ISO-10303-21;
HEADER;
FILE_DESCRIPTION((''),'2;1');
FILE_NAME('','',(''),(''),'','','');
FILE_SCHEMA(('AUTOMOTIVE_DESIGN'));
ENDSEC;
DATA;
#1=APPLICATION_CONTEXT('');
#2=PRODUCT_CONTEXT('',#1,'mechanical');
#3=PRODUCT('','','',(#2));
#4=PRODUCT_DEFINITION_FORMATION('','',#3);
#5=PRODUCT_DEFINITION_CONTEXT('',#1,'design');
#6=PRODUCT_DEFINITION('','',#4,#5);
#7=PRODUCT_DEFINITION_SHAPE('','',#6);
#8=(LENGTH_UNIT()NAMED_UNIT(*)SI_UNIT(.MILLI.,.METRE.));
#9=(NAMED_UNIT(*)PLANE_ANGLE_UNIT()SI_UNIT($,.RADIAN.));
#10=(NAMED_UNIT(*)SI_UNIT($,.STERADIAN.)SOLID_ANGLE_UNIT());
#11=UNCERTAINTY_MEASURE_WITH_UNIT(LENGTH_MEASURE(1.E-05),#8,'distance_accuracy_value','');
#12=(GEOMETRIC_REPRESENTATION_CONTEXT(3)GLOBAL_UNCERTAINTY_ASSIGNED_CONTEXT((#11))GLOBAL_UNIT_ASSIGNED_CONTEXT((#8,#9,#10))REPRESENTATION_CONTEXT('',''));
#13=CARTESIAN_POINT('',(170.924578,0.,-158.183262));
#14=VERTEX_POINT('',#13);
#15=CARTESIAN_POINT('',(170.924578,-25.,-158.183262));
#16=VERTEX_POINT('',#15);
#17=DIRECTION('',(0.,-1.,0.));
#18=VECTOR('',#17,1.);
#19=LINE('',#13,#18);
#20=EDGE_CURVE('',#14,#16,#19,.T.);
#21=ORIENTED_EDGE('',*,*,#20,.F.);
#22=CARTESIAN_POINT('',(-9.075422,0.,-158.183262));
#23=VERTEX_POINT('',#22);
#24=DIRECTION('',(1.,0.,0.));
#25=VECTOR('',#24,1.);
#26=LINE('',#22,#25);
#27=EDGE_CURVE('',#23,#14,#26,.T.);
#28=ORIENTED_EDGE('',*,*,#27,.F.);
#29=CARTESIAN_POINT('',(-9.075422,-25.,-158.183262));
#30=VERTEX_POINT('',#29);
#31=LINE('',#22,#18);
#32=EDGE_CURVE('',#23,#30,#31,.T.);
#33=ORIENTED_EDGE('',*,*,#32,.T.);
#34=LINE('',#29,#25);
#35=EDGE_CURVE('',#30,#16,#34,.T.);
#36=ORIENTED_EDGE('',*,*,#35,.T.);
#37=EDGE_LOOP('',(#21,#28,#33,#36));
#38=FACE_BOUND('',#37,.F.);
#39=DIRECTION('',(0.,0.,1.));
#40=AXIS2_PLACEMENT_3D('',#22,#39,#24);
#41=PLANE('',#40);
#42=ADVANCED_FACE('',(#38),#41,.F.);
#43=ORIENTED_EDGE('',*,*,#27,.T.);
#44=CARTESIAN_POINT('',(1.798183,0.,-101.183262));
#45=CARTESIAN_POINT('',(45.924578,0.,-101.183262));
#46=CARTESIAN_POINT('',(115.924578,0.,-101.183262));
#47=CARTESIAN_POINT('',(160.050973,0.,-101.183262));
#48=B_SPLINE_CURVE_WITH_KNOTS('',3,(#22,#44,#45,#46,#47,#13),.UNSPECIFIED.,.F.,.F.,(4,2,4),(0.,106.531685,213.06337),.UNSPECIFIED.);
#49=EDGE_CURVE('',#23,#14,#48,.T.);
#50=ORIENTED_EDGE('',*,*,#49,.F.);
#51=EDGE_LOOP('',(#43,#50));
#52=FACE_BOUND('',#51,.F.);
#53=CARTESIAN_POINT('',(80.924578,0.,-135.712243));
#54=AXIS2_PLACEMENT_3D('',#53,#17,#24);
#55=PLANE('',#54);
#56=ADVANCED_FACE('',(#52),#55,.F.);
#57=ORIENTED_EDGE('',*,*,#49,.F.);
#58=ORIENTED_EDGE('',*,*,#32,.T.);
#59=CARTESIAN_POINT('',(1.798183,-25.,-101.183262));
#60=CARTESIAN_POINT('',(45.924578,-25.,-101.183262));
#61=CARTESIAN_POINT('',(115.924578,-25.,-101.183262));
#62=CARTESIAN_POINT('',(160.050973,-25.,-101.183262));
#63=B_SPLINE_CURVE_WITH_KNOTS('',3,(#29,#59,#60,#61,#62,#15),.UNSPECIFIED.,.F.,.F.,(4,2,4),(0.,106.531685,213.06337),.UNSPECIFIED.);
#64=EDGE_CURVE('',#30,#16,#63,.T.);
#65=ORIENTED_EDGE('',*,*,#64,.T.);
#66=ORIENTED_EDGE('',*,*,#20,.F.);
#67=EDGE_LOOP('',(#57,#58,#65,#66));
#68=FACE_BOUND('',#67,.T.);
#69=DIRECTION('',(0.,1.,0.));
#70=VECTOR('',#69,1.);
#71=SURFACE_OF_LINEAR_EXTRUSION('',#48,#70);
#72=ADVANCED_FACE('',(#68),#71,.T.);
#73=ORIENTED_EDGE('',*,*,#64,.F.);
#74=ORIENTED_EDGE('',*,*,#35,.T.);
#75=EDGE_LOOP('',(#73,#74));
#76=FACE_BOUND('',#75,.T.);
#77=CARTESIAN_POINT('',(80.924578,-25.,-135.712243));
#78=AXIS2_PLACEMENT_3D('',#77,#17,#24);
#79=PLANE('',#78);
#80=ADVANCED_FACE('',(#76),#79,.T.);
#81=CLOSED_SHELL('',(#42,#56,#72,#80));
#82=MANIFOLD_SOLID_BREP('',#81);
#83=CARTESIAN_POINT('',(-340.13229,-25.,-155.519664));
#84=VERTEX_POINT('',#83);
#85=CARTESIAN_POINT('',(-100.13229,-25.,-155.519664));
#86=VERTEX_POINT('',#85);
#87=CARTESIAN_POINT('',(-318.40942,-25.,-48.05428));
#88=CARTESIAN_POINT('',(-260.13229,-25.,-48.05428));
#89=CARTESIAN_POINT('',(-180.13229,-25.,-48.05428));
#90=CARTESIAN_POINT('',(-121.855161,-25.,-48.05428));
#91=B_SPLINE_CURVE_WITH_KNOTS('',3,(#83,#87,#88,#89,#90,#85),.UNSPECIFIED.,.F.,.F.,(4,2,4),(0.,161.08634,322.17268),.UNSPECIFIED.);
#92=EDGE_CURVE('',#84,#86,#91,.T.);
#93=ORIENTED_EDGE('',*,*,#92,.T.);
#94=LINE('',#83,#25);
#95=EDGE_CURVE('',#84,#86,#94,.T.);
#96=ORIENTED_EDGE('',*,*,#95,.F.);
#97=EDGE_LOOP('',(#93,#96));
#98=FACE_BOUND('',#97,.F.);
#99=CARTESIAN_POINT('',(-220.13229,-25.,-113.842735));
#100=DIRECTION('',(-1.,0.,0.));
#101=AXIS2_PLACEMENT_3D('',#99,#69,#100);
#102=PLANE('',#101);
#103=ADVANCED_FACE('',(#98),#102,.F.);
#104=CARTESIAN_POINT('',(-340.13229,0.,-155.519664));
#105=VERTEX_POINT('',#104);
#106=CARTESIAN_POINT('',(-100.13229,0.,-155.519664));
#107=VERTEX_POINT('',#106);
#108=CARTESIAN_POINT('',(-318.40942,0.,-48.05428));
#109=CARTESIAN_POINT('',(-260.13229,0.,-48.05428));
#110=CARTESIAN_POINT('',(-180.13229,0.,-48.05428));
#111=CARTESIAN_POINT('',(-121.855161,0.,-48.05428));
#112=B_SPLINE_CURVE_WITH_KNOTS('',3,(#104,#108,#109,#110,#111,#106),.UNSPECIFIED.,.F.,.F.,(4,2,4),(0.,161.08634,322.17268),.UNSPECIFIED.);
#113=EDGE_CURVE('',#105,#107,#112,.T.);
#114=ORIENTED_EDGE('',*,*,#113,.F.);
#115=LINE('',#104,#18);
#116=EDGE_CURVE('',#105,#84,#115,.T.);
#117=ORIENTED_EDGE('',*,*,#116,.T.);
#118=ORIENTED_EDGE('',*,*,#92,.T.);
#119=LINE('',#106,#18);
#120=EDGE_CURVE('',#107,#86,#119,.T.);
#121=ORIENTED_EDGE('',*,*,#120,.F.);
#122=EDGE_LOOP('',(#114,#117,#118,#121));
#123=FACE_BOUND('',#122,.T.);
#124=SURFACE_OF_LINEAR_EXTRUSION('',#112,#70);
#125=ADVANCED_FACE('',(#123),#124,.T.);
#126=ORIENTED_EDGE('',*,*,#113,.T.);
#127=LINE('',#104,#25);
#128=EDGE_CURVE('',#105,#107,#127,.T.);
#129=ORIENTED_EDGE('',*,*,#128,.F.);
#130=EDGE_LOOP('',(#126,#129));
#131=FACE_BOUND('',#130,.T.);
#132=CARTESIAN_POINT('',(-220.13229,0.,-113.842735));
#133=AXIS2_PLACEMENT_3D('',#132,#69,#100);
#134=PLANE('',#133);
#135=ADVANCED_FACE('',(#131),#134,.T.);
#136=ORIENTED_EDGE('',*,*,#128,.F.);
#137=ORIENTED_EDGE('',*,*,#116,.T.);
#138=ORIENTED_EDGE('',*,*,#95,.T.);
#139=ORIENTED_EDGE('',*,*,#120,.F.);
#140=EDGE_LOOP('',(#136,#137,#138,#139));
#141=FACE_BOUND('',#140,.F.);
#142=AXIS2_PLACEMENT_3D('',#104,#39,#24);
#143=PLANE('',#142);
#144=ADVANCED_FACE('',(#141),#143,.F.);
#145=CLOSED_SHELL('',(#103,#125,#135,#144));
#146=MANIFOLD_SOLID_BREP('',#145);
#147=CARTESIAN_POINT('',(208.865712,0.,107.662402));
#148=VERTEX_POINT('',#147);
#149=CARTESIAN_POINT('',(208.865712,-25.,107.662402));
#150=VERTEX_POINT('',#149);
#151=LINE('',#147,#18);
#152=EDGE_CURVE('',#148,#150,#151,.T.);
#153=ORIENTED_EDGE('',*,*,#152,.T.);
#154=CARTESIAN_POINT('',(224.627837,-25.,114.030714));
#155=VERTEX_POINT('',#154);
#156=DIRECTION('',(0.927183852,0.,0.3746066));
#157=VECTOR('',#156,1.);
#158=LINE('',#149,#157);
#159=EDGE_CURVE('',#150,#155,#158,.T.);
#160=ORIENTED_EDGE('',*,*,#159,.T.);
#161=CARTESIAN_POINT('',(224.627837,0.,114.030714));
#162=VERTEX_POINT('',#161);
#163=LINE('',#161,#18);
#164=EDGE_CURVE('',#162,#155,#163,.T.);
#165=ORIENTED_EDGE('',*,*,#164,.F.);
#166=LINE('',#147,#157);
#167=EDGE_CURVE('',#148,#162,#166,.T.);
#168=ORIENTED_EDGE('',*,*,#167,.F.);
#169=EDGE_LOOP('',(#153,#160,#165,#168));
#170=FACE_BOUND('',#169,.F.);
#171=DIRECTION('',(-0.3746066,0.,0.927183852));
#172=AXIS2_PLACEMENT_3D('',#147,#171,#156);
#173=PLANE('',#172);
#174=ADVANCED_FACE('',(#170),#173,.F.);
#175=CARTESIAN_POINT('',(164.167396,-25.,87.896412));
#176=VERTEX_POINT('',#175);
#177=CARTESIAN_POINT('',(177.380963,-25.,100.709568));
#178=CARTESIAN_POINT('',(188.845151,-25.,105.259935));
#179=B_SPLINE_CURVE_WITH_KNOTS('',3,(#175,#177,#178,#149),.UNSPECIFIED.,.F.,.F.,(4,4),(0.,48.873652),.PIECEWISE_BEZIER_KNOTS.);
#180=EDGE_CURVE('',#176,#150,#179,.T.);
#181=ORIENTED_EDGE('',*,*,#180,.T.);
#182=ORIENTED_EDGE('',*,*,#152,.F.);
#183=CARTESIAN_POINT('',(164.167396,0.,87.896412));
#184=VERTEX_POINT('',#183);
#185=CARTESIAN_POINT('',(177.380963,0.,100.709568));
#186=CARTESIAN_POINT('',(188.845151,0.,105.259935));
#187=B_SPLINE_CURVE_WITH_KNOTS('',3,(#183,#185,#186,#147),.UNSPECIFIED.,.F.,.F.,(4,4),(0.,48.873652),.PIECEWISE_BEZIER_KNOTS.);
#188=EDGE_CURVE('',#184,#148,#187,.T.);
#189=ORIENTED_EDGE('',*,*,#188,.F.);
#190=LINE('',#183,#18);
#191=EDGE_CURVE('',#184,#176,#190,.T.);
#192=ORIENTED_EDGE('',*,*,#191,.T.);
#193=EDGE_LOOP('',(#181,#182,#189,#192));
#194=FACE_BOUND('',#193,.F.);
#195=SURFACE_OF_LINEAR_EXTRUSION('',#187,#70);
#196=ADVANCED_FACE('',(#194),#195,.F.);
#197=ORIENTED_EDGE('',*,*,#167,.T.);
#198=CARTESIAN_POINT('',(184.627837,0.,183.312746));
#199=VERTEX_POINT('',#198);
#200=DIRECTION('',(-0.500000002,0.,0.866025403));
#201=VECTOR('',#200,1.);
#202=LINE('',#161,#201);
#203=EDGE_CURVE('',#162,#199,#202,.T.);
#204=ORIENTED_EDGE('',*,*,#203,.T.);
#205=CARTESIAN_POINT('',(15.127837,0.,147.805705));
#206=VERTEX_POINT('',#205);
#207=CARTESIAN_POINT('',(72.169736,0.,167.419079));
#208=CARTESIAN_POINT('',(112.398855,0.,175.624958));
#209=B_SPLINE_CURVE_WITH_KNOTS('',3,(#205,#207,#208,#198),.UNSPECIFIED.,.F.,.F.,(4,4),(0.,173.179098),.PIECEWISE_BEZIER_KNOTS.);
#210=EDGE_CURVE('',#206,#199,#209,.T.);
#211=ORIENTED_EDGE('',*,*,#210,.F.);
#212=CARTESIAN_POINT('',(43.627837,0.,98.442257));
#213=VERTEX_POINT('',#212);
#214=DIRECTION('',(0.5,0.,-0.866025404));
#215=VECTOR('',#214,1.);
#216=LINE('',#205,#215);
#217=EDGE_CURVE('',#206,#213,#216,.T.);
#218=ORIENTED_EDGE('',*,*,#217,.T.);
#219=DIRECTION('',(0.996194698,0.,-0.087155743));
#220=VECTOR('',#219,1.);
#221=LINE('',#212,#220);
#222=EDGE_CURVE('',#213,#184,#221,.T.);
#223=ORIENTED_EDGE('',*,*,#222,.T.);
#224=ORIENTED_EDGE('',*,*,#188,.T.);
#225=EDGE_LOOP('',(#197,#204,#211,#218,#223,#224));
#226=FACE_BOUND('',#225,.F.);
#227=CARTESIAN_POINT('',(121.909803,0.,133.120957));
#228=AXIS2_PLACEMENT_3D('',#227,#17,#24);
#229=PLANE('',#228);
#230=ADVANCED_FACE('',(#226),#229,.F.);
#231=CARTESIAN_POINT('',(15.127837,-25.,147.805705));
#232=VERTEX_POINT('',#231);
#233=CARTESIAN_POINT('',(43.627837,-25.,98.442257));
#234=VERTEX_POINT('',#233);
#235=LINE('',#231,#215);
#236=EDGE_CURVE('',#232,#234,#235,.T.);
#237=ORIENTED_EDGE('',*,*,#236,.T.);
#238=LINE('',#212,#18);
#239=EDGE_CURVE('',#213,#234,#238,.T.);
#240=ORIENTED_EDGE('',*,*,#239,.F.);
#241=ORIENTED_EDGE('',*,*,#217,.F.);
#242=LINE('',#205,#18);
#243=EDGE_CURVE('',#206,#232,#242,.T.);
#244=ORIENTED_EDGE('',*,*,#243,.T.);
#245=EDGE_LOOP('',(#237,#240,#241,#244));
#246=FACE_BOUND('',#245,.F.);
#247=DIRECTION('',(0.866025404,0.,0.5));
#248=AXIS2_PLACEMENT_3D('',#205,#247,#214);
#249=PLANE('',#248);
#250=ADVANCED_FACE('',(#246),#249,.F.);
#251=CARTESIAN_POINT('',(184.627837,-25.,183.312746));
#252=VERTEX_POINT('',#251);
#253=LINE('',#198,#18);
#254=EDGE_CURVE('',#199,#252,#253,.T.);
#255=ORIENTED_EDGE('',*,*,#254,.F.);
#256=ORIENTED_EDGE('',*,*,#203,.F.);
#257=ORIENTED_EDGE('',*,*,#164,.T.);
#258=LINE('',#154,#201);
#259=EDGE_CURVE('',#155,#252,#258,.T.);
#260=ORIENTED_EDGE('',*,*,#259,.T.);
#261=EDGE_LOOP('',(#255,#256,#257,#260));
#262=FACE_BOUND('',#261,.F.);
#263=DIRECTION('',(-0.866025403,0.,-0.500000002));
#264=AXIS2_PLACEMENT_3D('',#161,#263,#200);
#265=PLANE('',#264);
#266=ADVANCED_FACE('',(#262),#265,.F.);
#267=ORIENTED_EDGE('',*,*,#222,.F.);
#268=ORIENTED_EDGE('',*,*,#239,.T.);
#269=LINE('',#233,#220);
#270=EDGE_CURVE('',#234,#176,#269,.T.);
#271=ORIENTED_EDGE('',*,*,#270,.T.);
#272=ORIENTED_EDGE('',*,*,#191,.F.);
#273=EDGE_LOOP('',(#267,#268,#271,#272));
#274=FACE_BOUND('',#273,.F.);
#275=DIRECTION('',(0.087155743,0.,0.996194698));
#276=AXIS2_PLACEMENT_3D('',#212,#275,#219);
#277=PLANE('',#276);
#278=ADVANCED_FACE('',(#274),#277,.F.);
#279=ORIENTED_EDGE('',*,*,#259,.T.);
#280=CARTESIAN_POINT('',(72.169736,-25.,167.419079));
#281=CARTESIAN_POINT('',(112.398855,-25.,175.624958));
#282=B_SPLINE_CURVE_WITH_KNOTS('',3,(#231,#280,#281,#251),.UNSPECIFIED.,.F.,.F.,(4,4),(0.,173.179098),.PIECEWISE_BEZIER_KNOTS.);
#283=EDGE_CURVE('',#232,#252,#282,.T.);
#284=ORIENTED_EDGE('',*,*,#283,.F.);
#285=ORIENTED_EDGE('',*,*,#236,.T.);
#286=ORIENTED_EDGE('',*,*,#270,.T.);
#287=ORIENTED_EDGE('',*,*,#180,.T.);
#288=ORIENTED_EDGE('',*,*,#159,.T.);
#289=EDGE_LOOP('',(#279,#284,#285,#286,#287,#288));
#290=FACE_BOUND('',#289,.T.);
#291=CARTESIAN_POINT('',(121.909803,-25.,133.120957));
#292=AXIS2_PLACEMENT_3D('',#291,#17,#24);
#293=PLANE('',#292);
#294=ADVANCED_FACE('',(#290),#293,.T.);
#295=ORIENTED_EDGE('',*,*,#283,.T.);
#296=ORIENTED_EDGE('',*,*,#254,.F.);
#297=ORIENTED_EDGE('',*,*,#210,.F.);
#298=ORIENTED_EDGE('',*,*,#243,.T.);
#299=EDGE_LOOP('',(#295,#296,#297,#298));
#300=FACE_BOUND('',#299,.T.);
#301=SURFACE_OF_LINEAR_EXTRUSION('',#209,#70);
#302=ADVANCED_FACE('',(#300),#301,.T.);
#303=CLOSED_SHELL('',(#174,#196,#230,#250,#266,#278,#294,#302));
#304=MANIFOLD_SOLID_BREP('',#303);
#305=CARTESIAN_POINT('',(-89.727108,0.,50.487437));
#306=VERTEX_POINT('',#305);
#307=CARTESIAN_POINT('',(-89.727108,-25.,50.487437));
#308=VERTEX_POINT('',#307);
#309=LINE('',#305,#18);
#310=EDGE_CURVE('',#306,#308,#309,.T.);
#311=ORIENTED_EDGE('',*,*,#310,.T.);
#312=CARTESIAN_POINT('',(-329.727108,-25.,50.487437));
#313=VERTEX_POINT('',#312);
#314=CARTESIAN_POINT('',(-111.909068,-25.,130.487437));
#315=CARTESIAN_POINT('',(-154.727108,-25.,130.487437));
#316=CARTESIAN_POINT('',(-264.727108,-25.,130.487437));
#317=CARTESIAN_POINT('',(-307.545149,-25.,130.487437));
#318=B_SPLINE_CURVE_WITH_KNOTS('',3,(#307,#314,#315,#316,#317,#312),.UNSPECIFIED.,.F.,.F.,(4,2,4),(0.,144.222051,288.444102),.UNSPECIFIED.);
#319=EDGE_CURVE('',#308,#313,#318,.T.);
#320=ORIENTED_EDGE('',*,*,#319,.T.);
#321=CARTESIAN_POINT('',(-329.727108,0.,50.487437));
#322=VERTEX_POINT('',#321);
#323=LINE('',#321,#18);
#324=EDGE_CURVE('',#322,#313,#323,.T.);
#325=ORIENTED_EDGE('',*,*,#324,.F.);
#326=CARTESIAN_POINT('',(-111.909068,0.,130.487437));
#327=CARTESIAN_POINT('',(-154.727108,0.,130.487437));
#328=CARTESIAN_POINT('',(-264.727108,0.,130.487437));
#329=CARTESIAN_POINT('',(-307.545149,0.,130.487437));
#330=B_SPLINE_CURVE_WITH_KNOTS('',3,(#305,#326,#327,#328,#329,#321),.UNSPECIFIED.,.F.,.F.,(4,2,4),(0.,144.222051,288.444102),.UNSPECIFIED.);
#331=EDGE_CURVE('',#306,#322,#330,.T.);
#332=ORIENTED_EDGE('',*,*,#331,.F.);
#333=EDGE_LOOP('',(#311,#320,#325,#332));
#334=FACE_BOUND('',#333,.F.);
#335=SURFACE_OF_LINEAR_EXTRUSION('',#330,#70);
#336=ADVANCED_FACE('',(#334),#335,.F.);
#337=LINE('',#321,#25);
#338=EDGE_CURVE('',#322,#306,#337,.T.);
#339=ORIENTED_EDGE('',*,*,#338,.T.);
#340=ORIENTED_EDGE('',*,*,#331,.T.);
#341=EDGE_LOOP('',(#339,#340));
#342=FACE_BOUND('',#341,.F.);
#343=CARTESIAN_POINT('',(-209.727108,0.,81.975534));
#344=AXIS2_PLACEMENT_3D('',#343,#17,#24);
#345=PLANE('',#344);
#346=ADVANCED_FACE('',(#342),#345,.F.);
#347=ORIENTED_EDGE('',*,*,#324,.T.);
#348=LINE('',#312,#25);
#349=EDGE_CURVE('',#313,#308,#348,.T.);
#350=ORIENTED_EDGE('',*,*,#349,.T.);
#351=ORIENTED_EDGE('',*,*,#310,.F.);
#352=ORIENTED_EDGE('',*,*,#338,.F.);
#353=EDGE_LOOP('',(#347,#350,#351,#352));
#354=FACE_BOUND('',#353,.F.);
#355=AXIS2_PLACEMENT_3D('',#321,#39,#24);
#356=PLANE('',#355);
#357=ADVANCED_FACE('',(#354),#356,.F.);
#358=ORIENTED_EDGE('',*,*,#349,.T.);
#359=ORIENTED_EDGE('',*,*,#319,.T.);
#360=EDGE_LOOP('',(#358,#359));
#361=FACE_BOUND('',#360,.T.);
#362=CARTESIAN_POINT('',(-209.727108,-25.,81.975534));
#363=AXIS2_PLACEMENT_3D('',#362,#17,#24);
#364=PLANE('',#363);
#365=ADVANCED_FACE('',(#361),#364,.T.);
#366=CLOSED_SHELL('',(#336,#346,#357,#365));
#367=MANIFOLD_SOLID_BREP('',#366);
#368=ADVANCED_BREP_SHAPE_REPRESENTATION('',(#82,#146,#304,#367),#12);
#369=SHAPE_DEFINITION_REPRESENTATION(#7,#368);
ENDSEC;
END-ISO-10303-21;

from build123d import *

# Parameters (mm, degrees)
F1_DEPTH = 25


with BuildPart() as f1:
    # F0 (on Front) → F1 (new body)
    with BuildSketch(Plane.XZ):
        with BuildLine():
            add(Edge.make_bspline(
                [(-209.727108, 130.487437), (-264.727108, 130.487437), (-307.545149, 130.487437), (-329.727108, 50.487437)],
                knots=[0, 0, 0, 0, 144.222051, 144.222051, 144.222051, 144.222051], degree=3))
            Line((-329.727108, 50.487437), (-89.727108, 50.487437))
            add(Edge.make_bspline(
                [(-209.727108, 130.487437), (-154.727108, 130.487437), (-111.909068, 130.487437), (-89.727108, 50.487437)],
                knots=[0, 0, 0, 0, 144.222051, 144.222051, 144.222051, 144.222051], degree=3))
        make_face()
        with BuildLine():
            add(Edge.make_bspline(
                [(-340.13229, -155.519664), (-318.40942, -48.05428), (-260.13229, -48.05428), (-220.13229, -48.05428)],
                knots=[0, 0, 0, 0, 161.08634, 161.08634, 161.08634, 161.08634], degree=3))
            Line((-340.13229, -155.519664), (-100.13229, -155.519664))
            add(Edge.make_bspline(
                [(-220.13229, -48.05428), (-180.13229, -48.05428), (-121.855161, -48.05428), (-100.13229, -155.519664)],
                knots=[0, 0, 0, 0, 161.08634, 161.08634, 161.08634, 161.08634], degree=3))
        make_face()
        with BuildLine():
            Line((-9.075422, -158.183262), (170.924578, -158.183262))
            add(Edge.make_bspline(
                [(80.924578, -101.183262), (115.924578, -101.183262), (160.050973, -101.183262), (170.924578, -158.183262)],
                knots=[0, 0, 0, 0, 106.531685, 106.531685, 106.531685, 106.531685], degree=3))
            add(Edge.make_bspline(
                [(-9.075422, -158.183262), (1.798183, -101.183262), (45.924578, -101.183262), (80.924578, -101.183262)],
                knots=[0, 0, 0, 0, 106.531685, 106.531685, 106.531685, 106.531685], degree=3))
        make_face()
        with BuildLine():
            Line((208.865712, 107.662402), (224.627837, 114.030714))
            Line((224.627837, 114.030714), (184.627837, 183.312746))
            add(Edge.make_bspline(
                [(15.127837, 147.805705), (72.169736, 167.419079), (112.398855, 175.624958), (184.627837, 183.312746)],
                knots=[0, 0, 0, 0, 173.179098, 173.179098, 173.179098, 173.179098], degree=3))
            Line((15.127837, 147.805705), (43.627837, 98.442257))
            Line((43.627837, 98.442257), (164.167396, 87.896412))
            add(Edge.make_bspline(
                [(164.167396, 87.896412), (177.380963, 100.709568), (188.845151, 105.259935), (208.865712, 107.662402)],
                knots=[0, 0, 0, 0, 48.873652, 48.873652, 48.873652, 48.873652], degree=3))
        make_face()
    extrude(amount=F1_DEPTH)


solid = f1.part
